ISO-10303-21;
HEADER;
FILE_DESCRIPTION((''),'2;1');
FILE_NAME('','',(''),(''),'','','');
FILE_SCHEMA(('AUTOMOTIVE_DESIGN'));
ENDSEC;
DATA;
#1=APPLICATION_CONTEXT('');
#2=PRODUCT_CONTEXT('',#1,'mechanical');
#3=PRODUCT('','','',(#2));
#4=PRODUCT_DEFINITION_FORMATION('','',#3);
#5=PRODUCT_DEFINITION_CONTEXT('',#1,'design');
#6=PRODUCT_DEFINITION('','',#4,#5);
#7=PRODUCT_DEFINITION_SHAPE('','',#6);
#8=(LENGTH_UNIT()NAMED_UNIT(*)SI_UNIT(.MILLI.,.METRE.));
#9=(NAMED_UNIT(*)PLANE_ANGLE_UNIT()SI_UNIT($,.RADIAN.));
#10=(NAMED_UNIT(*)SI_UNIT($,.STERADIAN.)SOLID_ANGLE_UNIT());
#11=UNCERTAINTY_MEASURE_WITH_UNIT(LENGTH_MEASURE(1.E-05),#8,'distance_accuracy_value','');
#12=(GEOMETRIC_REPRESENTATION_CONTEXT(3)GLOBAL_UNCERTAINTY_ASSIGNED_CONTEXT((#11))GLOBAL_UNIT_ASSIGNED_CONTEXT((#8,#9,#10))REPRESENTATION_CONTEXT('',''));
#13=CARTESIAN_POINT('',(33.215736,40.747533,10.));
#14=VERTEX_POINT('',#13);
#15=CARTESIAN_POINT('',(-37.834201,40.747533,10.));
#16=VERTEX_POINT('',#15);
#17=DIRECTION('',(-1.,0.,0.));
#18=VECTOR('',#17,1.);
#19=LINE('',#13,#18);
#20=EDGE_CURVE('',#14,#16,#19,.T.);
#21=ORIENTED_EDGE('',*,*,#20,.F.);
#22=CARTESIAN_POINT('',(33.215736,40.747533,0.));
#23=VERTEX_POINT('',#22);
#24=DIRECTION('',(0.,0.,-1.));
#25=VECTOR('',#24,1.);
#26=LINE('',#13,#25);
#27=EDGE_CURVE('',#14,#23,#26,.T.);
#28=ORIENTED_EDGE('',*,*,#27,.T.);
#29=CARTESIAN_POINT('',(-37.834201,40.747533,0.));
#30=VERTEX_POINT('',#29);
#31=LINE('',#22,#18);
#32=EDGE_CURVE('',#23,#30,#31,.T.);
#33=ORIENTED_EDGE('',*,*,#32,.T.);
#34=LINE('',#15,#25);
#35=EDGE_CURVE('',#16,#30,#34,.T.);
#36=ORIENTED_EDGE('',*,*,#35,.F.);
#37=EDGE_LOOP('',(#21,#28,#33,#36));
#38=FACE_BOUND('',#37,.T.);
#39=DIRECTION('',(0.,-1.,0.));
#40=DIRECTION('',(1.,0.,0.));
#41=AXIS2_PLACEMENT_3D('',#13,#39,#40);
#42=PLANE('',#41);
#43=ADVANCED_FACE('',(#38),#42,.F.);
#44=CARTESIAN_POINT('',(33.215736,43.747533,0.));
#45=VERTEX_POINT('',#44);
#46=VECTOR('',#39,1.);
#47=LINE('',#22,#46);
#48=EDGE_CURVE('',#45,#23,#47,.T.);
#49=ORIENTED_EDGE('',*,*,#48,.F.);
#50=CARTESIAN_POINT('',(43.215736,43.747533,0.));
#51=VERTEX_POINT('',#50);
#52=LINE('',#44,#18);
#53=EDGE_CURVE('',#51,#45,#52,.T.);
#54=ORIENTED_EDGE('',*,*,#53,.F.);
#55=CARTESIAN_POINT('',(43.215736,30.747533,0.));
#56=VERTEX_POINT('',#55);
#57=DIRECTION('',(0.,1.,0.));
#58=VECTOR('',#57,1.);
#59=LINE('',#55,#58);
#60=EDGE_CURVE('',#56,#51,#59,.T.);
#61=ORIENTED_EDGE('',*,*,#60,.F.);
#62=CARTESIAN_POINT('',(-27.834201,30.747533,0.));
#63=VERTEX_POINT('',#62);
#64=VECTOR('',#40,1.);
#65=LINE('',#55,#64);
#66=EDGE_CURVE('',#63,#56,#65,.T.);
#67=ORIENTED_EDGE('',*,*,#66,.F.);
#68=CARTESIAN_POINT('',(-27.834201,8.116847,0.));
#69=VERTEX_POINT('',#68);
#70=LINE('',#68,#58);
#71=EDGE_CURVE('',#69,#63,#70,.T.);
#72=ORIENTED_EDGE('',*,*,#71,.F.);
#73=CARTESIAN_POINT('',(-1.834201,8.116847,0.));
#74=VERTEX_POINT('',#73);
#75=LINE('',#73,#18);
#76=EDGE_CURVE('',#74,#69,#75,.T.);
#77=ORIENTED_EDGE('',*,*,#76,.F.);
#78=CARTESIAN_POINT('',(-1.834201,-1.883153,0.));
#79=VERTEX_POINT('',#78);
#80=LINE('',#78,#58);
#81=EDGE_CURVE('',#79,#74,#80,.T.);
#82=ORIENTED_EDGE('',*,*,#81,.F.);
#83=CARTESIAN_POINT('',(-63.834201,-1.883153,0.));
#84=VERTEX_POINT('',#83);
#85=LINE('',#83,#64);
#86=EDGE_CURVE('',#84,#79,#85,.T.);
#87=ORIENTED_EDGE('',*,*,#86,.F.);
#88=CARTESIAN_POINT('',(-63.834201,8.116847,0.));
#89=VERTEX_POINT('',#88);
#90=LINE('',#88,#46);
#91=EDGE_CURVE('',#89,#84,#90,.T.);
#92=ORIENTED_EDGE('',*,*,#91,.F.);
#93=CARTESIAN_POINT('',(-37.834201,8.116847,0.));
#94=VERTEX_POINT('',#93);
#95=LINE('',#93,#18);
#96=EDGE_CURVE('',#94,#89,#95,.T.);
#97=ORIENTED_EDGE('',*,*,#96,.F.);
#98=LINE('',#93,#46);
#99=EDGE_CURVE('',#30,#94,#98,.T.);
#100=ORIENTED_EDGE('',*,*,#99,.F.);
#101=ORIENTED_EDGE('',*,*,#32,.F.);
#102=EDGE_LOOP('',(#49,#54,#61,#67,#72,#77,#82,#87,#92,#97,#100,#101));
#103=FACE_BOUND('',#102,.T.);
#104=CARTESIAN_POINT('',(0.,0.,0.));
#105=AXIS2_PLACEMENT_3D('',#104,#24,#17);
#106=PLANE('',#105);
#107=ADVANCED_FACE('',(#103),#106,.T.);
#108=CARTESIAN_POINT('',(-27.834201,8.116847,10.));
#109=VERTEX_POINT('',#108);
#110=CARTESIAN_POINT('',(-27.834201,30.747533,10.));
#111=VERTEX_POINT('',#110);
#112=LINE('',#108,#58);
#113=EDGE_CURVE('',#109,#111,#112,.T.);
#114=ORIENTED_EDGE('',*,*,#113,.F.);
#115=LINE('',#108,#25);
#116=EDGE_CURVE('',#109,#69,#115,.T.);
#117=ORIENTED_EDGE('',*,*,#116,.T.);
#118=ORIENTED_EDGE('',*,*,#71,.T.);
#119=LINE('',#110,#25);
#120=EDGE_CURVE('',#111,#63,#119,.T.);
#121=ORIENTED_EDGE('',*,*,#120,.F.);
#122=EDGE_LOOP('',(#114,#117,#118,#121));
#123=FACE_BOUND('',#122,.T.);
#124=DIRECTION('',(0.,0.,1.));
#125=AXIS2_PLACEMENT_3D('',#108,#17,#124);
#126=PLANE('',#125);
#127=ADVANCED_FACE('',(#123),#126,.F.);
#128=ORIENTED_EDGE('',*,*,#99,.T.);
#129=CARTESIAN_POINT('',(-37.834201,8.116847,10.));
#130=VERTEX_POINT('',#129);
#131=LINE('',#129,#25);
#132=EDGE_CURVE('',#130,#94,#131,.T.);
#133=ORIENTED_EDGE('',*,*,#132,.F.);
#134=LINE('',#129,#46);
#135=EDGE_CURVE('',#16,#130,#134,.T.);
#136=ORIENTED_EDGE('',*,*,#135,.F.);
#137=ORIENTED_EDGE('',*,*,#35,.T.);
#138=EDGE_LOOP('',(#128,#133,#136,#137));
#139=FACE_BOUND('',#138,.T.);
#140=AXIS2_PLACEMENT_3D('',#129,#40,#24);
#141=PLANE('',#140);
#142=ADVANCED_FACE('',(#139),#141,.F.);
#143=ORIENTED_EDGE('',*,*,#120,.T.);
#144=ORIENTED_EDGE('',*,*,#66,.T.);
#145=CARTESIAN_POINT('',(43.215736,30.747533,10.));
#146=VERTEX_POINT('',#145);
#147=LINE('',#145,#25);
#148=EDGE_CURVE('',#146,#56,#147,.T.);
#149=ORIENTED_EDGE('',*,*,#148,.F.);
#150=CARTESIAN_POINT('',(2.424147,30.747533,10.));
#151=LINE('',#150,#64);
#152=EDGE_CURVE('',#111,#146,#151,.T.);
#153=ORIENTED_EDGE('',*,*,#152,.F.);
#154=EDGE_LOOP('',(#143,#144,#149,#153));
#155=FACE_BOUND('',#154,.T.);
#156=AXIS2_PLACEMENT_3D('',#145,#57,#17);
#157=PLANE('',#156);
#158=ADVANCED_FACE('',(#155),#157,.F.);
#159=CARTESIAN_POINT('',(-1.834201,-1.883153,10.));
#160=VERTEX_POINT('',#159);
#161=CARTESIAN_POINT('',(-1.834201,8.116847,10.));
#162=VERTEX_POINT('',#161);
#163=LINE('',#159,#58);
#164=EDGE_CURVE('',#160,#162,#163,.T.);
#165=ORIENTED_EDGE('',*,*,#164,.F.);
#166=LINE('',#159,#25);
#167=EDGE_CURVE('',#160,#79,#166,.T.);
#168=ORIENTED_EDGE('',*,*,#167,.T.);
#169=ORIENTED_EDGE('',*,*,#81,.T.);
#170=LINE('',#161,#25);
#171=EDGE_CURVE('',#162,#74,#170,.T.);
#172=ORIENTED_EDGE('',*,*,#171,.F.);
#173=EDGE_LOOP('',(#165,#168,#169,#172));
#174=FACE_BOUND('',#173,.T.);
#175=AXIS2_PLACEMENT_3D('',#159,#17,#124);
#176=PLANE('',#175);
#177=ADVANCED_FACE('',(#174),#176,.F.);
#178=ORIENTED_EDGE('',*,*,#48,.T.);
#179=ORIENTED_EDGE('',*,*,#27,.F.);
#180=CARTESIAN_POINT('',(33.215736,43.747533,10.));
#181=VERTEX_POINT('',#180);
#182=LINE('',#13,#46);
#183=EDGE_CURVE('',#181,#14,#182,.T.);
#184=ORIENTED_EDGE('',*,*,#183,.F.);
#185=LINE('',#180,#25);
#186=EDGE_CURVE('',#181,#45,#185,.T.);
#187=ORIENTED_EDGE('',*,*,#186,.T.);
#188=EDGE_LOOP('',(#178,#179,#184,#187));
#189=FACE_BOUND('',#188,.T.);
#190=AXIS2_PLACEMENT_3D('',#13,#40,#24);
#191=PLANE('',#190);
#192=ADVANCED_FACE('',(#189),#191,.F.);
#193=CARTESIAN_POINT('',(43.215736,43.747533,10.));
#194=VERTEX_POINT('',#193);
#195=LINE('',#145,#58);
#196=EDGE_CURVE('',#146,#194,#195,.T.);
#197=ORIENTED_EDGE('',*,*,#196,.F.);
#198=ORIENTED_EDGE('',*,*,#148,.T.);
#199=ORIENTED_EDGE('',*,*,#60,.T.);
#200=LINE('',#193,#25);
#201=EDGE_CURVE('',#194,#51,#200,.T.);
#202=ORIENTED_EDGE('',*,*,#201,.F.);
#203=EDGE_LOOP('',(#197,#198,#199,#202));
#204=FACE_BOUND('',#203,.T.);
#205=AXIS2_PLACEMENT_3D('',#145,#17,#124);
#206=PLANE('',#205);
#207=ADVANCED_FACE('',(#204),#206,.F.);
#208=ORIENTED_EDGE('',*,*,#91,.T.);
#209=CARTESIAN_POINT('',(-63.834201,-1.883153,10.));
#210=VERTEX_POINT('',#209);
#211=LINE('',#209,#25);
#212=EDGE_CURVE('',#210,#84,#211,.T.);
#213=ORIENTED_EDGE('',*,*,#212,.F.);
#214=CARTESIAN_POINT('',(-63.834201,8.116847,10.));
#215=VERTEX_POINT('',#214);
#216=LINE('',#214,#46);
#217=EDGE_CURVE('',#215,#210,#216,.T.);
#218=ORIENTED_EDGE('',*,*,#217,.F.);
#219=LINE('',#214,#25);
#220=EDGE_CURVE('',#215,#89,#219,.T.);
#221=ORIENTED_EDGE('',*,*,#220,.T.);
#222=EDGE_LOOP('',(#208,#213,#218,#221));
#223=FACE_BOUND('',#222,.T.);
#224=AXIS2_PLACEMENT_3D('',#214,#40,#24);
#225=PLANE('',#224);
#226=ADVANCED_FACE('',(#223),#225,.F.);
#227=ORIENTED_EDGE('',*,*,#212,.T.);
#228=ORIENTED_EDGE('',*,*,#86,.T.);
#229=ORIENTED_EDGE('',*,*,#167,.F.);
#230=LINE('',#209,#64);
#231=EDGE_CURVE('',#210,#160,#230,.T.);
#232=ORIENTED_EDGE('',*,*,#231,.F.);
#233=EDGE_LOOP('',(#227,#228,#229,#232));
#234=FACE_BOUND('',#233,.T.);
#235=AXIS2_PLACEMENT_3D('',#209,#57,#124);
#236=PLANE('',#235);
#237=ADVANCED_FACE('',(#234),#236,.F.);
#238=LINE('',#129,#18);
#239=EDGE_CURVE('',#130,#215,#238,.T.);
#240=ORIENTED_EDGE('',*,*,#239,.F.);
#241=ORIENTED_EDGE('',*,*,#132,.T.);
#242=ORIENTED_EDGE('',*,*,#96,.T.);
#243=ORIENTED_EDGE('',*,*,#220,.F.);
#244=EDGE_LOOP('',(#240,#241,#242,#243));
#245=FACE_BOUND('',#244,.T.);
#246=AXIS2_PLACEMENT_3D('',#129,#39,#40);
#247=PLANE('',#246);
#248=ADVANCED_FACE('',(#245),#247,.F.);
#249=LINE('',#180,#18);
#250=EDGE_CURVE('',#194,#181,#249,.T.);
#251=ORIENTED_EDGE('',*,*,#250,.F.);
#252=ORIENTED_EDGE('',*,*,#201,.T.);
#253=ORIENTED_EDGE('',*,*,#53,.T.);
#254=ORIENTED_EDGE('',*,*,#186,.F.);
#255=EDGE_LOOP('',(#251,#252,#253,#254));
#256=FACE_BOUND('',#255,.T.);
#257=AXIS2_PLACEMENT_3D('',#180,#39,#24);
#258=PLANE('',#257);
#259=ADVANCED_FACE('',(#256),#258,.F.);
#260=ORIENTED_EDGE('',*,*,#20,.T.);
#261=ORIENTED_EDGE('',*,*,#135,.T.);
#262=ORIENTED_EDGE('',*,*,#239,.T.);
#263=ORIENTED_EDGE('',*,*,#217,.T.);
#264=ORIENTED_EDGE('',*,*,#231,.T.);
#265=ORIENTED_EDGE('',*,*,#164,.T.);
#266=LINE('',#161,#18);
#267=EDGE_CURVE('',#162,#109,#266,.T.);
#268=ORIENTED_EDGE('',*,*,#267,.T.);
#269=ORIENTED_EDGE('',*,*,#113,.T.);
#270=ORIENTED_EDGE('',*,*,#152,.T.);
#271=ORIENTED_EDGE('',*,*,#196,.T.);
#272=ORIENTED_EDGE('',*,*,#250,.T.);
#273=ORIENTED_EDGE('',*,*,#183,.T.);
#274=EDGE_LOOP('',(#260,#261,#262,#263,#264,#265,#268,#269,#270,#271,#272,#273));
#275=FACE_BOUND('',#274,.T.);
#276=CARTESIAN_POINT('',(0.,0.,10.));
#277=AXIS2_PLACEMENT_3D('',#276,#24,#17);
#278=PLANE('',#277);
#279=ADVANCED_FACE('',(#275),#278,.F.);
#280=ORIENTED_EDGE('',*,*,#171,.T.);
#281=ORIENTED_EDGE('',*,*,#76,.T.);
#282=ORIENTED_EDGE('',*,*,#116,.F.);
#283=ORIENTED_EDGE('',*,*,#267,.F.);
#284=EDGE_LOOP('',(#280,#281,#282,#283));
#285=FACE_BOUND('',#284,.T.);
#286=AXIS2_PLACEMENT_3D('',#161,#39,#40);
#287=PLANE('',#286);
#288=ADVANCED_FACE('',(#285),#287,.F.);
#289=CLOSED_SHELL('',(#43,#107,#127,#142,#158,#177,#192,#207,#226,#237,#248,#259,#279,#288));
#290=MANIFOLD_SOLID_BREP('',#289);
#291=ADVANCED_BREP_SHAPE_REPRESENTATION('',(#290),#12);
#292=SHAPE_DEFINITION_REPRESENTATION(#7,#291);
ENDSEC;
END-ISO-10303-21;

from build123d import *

# Parameters (mm, degrees)
BOSS_EXTRUDE1_DEPTH = 10


with BuildPart() as part:
    # Sketch2 → Boss-Extrude1 (new body)
    with BuildSketch(Plane.XY):
        Polygon((-63.83420123, 8.116846993), (-63.83420123, -1.883153007), (-1.83420123, -1.883153007), (-1.83420123, 8.116846993), (-27.83420123, 8.116846993), (-27.83420123, 30.747532628), (2.42414736, 30.747532628), (43.215736153, 30.747532628), (43.215736153, 43.747532628), (33.215736153, 43.747532628), (33.215736153, 40.747532628), (-37.83420123, 40.747532628), (-37.83420123, 8.116846993), align=None)
    extrude(amount=BOSS_EXTRUDE1_DEPTH)


solid = part.part
